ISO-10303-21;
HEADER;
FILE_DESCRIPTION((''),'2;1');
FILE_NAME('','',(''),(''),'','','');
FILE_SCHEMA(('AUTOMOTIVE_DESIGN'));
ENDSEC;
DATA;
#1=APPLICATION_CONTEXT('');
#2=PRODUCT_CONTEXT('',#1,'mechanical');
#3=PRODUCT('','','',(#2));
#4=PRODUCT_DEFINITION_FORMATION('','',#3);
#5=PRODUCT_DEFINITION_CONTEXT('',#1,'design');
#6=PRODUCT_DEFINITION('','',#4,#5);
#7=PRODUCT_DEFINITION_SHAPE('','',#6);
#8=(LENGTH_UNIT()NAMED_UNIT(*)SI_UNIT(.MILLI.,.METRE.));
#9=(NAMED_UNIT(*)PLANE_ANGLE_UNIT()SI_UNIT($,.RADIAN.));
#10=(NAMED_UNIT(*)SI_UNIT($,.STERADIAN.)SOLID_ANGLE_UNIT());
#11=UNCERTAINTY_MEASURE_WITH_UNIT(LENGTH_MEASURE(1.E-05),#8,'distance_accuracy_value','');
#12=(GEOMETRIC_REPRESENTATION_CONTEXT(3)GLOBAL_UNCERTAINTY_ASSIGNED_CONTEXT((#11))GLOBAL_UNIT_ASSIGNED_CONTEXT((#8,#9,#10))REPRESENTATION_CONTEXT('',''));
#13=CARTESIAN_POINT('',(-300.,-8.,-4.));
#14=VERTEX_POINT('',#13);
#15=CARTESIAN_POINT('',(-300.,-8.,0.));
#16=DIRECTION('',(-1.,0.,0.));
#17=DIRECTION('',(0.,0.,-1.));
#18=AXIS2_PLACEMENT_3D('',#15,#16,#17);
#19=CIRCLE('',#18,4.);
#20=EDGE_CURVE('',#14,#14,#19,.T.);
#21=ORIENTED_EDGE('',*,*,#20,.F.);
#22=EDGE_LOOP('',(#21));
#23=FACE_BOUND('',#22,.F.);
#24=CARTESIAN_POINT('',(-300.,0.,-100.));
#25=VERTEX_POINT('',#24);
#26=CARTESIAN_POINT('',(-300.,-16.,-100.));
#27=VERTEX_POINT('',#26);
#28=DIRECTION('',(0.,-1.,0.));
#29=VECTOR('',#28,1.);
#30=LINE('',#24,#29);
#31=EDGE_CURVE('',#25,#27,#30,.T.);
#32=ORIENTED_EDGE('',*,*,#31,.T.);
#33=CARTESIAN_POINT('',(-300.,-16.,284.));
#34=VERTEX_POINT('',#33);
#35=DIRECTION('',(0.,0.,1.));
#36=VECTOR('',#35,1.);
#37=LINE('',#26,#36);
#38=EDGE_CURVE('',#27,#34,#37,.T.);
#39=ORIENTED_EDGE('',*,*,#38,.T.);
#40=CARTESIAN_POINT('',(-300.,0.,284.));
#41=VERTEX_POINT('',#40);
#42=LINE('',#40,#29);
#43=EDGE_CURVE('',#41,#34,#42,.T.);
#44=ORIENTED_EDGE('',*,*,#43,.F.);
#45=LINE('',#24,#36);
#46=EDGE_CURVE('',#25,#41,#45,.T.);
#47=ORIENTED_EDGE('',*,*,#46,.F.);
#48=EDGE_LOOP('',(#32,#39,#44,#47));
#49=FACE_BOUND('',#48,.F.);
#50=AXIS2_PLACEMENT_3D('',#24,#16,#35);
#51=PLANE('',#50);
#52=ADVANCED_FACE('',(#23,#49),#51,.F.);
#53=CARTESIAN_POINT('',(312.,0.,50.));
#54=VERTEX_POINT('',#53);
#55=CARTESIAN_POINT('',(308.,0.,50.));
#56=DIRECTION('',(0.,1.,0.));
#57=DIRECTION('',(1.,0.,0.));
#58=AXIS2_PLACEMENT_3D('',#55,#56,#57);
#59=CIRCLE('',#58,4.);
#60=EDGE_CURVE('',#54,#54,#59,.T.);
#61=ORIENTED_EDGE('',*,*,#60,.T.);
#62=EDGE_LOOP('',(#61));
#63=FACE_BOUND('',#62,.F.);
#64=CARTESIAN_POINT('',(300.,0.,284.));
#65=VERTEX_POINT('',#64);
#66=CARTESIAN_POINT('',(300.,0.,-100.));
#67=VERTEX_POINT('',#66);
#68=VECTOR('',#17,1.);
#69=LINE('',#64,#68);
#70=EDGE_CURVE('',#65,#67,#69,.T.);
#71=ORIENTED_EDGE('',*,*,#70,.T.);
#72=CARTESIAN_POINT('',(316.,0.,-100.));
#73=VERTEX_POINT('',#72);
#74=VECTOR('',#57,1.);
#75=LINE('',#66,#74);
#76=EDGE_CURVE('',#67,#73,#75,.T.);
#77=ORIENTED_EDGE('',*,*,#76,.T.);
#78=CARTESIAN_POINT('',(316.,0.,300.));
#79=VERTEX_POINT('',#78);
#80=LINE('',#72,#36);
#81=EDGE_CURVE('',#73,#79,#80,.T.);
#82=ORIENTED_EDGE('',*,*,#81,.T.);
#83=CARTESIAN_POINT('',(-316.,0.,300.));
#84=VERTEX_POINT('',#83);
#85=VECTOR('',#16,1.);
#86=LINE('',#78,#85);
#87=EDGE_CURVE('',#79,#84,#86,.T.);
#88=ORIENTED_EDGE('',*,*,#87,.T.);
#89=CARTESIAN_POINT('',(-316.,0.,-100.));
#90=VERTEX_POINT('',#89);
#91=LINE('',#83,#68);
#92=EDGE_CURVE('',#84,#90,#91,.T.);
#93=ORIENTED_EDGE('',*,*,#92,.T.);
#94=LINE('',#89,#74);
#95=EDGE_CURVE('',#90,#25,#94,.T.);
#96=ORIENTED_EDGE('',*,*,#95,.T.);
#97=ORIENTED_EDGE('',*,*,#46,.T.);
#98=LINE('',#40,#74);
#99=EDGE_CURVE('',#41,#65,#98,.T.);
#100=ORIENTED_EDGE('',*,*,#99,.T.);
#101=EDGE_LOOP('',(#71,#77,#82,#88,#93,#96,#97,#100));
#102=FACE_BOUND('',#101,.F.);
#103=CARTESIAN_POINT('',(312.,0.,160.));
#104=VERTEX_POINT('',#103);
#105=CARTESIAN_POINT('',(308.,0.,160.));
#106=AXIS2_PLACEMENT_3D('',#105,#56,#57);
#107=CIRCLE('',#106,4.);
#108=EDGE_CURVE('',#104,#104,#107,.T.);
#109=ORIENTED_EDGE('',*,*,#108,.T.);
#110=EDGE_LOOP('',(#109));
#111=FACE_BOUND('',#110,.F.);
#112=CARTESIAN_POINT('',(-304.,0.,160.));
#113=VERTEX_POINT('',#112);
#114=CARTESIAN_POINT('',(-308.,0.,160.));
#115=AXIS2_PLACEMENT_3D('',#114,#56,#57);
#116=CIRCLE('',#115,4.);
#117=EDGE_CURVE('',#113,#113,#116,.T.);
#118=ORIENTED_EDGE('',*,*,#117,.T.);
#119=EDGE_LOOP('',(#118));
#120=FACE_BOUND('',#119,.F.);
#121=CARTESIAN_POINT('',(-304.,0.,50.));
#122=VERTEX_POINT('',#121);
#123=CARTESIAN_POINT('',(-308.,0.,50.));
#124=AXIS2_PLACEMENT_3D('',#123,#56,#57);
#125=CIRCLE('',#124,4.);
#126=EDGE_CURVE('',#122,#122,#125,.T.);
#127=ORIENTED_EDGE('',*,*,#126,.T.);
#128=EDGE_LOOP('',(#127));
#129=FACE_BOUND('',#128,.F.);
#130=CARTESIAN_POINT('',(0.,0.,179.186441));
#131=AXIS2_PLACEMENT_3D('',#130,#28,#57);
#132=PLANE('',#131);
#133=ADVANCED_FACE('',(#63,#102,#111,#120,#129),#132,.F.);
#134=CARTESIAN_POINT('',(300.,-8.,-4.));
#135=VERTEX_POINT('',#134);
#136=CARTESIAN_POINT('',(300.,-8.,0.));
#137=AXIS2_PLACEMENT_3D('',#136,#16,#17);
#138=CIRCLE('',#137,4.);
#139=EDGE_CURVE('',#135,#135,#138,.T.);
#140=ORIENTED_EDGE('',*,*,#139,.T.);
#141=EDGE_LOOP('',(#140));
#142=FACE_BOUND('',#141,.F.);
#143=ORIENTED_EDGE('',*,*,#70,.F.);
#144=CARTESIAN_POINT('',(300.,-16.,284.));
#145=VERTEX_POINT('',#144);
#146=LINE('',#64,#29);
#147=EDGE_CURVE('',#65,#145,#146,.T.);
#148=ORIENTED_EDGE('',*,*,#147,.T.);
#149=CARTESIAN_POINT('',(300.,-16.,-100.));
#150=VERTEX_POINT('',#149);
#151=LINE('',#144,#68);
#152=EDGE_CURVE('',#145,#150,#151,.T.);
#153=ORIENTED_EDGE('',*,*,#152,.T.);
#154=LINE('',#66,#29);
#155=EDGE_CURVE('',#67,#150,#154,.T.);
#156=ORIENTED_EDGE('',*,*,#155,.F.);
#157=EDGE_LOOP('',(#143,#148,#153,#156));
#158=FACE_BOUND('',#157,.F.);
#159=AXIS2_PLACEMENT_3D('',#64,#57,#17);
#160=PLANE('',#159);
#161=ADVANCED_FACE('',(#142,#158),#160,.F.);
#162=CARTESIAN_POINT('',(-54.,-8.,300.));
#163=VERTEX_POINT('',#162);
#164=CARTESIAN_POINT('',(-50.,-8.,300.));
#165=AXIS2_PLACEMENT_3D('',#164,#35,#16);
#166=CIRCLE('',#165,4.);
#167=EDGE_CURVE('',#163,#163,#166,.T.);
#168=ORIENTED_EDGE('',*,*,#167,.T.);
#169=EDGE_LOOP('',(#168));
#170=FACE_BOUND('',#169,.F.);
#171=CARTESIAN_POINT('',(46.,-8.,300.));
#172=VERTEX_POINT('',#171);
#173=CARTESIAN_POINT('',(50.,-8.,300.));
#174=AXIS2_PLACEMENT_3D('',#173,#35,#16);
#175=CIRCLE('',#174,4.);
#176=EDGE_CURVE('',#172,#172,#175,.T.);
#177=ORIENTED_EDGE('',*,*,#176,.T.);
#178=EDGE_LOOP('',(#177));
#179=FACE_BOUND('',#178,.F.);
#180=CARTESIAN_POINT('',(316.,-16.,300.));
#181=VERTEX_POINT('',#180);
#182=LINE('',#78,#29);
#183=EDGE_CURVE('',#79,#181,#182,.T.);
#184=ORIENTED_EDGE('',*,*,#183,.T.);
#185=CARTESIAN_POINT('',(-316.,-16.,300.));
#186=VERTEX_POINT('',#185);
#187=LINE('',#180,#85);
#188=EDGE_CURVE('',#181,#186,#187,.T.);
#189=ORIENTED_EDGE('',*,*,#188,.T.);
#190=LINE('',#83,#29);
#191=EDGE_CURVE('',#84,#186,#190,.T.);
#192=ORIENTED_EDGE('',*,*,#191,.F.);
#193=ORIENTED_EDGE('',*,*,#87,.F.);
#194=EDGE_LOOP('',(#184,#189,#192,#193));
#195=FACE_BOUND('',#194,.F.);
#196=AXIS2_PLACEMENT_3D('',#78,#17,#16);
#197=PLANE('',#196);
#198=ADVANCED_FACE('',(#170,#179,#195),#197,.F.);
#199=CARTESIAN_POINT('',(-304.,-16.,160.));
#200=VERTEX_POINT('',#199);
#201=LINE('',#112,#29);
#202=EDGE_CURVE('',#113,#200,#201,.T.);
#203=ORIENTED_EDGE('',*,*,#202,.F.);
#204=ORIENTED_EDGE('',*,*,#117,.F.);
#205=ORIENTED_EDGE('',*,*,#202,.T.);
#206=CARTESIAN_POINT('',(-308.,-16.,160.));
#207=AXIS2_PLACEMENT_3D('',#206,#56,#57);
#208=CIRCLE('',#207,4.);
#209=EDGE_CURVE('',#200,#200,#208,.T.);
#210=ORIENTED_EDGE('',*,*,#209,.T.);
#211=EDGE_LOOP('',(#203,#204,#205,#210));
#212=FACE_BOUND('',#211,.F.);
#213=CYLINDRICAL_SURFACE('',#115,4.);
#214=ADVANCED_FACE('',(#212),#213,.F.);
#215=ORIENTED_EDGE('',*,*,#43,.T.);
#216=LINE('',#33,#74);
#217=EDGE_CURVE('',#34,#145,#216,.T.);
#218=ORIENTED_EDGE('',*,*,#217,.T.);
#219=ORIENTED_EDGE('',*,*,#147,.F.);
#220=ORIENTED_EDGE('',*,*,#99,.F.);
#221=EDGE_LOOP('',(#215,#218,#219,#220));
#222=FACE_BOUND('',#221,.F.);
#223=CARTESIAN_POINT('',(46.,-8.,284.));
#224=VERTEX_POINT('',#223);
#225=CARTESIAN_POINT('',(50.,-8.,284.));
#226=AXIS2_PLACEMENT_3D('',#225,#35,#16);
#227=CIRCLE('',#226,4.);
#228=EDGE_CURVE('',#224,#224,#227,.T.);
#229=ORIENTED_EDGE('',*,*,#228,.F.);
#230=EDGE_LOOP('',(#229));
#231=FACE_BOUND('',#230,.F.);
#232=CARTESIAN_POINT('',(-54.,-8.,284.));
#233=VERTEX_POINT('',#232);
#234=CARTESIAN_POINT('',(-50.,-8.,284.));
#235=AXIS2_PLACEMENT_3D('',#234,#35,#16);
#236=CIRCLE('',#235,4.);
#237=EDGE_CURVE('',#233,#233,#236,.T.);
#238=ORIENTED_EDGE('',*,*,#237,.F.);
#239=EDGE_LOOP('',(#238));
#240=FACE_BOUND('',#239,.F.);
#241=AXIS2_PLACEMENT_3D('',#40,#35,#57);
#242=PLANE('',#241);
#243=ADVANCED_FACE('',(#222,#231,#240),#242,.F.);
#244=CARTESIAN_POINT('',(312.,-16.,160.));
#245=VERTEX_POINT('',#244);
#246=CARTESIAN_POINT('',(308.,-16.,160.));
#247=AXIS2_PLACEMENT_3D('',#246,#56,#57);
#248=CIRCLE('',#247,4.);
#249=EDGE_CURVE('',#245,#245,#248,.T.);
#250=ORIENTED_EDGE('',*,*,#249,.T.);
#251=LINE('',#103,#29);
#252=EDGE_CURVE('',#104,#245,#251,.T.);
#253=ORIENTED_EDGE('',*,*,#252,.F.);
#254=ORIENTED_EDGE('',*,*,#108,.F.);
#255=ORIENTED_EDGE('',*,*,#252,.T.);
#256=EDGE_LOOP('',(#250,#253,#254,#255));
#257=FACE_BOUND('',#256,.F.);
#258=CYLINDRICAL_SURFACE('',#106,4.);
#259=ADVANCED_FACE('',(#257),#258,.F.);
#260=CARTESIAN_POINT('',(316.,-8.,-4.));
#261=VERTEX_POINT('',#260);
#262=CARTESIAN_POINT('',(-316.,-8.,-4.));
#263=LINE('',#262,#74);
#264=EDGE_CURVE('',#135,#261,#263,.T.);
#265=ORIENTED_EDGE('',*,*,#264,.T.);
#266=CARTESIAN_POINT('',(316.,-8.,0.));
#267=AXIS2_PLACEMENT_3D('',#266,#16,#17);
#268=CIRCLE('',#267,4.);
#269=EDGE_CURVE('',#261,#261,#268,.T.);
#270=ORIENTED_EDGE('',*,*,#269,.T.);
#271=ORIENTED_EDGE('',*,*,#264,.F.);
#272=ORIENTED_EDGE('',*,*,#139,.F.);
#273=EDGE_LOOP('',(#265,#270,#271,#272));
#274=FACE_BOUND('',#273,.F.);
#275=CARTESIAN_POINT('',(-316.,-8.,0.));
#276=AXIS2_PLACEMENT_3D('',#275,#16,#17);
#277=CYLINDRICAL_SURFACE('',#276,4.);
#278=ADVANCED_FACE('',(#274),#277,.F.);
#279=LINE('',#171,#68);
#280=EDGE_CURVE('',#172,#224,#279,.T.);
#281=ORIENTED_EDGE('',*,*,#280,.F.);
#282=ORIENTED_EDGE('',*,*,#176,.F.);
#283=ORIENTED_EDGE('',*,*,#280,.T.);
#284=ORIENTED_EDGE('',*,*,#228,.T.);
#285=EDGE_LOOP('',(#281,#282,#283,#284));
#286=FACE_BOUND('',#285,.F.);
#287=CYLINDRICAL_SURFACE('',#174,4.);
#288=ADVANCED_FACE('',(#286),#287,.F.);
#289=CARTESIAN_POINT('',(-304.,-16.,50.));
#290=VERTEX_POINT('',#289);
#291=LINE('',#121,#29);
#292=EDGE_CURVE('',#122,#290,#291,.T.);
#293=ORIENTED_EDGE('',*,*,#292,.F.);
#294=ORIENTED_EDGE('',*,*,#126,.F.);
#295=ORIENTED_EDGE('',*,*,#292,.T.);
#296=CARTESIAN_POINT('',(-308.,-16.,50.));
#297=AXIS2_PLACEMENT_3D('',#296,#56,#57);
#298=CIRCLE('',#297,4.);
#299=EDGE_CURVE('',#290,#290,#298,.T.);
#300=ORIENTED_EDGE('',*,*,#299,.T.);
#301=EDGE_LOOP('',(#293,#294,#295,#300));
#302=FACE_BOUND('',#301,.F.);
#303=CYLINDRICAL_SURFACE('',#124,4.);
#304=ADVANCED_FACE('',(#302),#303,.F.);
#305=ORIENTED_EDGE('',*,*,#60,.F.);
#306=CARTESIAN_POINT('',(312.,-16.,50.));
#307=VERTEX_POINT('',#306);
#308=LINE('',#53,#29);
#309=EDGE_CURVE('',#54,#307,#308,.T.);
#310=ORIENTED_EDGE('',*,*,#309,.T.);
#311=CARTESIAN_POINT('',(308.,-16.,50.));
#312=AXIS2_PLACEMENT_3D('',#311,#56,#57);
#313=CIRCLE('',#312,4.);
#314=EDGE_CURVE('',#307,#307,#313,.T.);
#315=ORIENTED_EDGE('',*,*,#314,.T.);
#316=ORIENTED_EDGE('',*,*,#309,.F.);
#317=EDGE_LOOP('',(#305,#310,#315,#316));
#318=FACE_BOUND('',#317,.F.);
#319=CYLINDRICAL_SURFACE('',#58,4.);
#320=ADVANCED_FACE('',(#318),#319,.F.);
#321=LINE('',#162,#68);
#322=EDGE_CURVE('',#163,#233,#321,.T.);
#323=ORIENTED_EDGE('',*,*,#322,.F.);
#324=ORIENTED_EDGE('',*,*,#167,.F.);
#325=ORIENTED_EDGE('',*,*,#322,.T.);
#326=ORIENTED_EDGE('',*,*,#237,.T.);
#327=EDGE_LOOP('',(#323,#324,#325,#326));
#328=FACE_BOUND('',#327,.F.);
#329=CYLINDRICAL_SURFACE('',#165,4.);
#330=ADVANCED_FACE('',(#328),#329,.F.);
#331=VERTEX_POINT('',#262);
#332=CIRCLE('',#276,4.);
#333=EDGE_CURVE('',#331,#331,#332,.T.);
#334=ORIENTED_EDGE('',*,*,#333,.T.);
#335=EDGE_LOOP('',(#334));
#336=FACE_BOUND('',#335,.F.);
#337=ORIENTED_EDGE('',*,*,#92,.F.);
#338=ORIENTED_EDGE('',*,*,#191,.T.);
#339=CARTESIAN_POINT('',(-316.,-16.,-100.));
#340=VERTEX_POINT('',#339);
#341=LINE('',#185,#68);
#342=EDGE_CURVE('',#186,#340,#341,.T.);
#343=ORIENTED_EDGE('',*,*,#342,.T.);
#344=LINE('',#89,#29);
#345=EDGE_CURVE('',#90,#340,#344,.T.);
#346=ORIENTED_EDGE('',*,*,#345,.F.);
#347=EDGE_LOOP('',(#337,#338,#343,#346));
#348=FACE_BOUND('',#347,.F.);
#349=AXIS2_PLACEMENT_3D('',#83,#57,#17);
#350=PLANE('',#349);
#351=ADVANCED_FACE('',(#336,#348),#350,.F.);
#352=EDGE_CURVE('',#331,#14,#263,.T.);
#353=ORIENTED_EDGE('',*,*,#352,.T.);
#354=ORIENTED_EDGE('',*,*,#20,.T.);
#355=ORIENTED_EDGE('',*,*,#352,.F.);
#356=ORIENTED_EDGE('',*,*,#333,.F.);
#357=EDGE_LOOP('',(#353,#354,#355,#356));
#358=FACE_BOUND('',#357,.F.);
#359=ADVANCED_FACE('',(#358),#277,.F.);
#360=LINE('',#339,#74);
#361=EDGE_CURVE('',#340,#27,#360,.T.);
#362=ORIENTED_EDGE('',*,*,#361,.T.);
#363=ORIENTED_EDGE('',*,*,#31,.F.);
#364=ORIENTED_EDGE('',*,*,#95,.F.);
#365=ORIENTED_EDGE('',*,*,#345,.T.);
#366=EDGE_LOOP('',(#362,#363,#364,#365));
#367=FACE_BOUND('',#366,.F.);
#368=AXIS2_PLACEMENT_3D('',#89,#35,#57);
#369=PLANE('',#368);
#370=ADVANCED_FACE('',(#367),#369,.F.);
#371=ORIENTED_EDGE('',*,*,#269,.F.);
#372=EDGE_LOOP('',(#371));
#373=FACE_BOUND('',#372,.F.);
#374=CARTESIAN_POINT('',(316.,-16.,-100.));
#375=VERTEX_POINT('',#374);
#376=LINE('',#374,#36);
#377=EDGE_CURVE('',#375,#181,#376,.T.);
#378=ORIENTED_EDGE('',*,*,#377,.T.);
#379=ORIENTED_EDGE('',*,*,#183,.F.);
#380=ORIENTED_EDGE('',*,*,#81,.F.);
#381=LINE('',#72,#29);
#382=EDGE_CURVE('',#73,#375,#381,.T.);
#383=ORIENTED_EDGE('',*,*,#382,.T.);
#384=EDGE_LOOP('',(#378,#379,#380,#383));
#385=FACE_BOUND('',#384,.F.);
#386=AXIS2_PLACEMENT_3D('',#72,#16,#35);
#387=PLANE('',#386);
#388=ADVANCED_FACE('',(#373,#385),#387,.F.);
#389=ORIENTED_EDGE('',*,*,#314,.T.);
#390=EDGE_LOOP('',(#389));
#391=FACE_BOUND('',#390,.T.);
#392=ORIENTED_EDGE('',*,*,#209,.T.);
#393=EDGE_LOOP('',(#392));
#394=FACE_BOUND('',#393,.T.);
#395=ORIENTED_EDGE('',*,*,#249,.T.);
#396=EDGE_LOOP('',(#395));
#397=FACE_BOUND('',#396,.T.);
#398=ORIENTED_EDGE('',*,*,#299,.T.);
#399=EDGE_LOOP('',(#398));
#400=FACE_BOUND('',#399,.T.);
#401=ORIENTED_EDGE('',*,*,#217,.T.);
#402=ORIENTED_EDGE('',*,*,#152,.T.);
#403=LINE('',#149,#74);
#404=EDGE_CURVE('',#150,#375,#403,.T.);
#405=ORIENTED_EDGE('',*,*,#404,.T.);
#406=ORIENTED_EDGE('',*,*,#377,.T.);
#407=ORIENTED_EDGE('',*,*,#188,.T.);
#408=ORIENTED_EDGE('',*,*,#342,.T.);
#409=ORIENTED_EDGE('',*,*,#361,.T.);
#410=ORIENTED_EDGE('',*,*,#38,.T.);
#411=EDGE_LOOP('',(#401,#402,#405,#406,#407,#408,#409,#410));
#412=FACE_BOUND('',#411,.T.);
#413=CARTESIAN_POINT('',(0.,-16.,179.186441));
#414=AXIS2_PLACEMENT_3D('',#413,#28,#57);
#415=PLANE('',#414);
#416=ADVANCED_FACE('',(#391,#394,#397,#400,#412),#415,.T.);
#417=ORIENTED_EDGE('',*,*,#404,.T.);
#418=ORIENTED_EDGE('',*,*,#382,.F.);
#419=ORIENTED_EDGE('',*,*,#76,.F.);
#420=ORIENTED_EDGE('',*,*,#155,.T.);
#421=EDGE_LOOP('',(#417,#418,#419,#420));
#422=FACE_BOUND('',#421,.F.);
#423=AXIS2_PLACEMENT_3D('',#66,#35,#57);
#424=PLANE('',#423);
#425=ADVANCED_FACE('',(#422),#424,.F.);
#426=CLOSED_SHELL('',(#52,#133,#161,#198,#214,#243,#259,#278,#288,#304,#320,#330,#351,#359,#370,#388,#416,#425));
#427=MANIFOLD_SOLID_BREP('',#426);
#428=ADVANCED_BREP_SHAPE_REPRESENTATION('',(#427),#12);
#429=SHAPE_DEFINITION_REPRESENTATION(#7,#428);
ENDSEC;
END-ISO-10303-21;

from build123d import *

# Parameters (mm, degrees)
PAD_DEPTH       = 16
SKETCH_R        = 4
POCKET_DEPTH    = 632.001
SKETCH002_R     = 4
POCKET001_DEPTH = 400.001
SKETCH003_R     = 4
POCKET002_DEPTH = 16.001
SKETCH004_R     = 4
POCKET003_DEPTH = 16.001


with BuildPart() as part:
    # Sketch001 → Pad (new body)
    with BuildSketch(Plane.XZ):
        Polygon((300, 0), (300, -100), (316, -100), (316, 300), (-316, 300), (-316, -100), (-300, -100), (-300, 0), (-300, 284), (300, 284), align=None)
    extrude(amount=PAD_DEPTH)

    # Sketch (on Face4 of Pad) → Pocket (cut, through all)
    with BuildSketch(Plane(origin=(-316, 0, 0), x_dir=(0, 0, -1), z_dir=(-1, 0, 0))):
        with Locations((0, 8)):
            Circle(SKETCH_R)
    extrude(amount=-POCKET_DEPTH, mode=Mode.SUBTRACT)

    # Sketch002 (on Face8 of Pocket) → Pocket001 (cut, through all)
    with BuildSketch(Plane(origin=(0, 0, 300), x_dir=(-1, 0, 0), z_dir=(0, 0, 1))):
        with Locations((-50, 8)):
            Circle(SKETCH002_R)
        with Locations((50, 8)):
            Circle(SKETCH002_R)
    extrude(amount=-POCKET001_DEPTH, mode=Mode.SUBTRACT)

    # Sketch003 (on Face4 of Pocket001) → Pocket002 (cut, through all)
    with BuildSketch(Plane(origin=(0, 0, 0), x_dir=(1, 0, 0), z_dir=(0, 1, 0))):
        with Locations((308, -50)):
            Circle(SKETCH003_R)
        with Locations((-308, -50)):
            Circle(SKETCH003_R)
    extrude(amount=-POCKET002_DEPTH, mode=Mode.SUBTRACT)

    # Sketch004 (on Face4 of Pocket002) → Pocket003 (cut, through all)
    with BuildSketch(Plane(origin=(0, 0, 0), x_dir=(1, 0, 0), z_dir=(0, 1, 0))):
        with Locations((308, -160)):
            Circle(SKETCH004_R)
        with Locations((-308, -160)):
            Circle(SKETCH004_R)
    extrude(amount=-POCKET003_DEPTH, mode=Mode.SUBTRACT)


solid = part.part
